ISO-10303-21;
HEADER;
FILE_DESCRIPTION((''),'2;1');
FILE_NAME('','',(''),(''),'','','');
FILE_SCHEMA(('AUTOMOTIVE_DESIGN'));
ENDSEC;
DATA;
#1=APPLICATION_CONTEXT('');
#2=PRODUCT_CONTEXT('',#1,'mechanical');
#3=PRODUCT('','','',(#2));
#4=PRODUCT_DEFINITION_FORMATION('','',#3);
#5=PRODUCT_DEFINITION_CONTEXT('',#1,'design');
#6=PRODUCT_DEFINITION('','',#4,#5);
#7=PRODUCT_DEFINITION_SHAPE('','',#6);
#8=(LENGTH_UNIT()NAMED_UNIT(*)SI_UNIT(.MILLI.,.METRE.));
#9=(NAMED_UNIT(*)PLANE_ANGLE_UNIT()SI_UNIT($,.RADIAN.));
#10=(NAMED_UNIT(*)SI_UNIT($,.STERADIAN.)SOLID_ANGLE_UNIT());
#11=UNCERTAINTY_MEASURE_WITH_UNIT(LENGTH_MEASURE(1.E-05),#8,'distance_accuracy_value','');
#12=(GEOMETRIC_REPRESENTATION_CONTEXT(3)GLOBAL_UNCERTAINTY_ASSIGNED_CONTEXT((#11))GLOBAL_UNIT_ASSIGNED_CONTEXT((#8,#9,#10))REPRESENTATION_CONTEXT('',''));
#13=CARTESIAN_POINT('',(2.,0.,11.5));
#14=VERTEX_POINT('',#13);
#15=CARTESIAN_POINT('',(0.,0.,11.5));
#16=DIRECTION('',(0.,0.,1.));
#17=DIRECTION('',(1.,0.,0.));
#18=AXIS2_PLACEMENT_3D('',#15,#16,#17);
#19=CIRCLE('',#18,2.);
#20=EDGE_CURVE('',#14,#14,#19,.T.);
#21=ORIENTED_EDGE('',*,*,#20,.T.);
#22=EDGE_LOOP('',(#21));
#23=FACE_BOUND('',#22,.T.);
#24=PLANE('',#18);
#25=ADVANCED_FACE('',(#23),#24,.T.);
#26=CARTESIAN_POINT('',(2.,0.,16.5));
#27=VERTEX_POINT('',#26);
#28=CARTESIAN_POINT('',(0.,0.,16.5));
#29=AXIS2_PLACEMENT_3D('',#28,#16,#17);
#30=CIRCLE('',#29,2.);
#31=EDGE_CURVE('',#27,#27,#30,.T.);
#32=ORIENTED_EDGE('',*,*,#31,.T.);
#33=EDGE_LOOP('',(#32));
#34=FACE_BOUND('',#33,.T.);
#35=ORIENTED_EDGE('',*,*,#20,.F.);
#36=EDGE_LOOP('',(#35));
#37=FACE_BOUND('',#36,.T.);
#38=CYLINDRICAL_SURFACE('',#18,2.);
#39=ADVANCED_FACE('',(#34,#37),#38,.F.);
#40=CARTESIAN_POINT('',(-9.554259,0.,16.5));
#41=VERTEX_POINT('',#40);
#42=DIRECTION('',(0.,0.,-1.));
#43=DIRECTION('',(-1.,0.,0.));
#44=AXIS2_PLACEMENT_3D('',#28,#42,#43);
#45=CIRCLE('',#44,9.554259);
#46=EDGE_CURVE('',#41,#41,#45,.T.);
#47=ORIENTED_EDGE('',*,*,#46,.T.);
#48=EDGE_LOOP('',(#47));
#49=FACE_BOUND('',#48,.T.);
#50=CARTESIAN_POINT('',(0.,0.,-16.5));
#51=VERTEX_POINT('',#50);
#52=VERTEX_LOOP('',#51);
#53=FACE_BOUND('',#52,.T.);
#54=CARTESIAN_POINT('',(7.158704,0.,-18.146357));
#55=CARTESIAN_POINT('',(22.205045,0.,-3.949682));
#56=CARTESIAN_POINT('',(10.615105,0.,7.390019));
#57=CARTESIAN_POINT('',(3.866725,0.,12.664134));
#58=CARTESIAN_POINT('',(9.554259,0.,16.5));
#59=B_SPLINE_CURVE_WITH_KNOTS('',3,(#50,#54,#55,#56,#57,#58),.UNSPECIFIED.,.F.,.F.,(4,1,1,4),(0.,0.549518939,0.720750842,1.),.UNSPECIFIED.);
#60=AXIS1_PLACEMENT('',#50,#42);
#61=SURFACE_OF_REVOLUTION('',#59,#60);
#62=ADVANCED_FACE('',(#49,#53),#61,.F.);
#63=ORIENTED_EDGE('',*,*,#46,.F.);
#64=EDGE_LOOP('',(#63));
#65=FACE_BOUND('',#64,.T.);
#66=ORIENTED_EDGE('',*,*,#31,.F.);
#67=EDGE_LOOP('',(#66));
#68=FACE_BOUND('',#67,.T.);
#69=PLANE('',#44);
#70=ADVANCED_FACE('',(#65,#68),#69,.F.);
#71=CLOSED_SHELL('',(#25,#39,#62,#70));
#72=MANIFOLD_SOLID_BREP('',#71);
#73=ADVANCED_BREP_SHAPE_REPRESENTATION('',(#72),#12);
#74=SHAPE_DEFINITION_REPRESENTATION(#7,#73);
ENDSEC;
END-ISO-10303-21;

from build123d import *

# Parameters (mm, degrees)
SKETCH_2_R          = 2
CUT_EXTRUDE_1_DEPTH = 5


with BuildPart() as part:
    # 草图1 → 旋转7 (revolve)
    with BuildSketch(Plane(origin=(0, 0, 0), x_dir=(1, 0, 0), z_dir=(0, 1, 0))):
        with BuildLine():
            Line((0, 16.5), (0, -16.5))
            Line((0, -16.5), (9.554258725, -16.5))
            add(Edge.make_bspline(
                [(0, 16.5), (7.158704266, 18.146356566), (22.205045429, 3.949682041), (10.615105351, -7.390019425), (3.866724955, -12.664134051), (9.554258725, -16.5)],
                knots=[0, 0, 0, 0, 0.549518939, 0.720750842, 1, 1, 1, 1], degree=3))
        make_face()
    revolve(axis=Axis((0, 0, -16.5), (0, 0, 1)))

    # 草图2 → 切除-拉伸1 (cut)
    with BuildSketch(Plane.XY.offset(16.5)):
        Circle(SKETCH_2_R)
    extrude(amount=-CUT_EXTRUDE_1_DEPTH, mode=Mode.SUBTRACT)


solid = part.part
